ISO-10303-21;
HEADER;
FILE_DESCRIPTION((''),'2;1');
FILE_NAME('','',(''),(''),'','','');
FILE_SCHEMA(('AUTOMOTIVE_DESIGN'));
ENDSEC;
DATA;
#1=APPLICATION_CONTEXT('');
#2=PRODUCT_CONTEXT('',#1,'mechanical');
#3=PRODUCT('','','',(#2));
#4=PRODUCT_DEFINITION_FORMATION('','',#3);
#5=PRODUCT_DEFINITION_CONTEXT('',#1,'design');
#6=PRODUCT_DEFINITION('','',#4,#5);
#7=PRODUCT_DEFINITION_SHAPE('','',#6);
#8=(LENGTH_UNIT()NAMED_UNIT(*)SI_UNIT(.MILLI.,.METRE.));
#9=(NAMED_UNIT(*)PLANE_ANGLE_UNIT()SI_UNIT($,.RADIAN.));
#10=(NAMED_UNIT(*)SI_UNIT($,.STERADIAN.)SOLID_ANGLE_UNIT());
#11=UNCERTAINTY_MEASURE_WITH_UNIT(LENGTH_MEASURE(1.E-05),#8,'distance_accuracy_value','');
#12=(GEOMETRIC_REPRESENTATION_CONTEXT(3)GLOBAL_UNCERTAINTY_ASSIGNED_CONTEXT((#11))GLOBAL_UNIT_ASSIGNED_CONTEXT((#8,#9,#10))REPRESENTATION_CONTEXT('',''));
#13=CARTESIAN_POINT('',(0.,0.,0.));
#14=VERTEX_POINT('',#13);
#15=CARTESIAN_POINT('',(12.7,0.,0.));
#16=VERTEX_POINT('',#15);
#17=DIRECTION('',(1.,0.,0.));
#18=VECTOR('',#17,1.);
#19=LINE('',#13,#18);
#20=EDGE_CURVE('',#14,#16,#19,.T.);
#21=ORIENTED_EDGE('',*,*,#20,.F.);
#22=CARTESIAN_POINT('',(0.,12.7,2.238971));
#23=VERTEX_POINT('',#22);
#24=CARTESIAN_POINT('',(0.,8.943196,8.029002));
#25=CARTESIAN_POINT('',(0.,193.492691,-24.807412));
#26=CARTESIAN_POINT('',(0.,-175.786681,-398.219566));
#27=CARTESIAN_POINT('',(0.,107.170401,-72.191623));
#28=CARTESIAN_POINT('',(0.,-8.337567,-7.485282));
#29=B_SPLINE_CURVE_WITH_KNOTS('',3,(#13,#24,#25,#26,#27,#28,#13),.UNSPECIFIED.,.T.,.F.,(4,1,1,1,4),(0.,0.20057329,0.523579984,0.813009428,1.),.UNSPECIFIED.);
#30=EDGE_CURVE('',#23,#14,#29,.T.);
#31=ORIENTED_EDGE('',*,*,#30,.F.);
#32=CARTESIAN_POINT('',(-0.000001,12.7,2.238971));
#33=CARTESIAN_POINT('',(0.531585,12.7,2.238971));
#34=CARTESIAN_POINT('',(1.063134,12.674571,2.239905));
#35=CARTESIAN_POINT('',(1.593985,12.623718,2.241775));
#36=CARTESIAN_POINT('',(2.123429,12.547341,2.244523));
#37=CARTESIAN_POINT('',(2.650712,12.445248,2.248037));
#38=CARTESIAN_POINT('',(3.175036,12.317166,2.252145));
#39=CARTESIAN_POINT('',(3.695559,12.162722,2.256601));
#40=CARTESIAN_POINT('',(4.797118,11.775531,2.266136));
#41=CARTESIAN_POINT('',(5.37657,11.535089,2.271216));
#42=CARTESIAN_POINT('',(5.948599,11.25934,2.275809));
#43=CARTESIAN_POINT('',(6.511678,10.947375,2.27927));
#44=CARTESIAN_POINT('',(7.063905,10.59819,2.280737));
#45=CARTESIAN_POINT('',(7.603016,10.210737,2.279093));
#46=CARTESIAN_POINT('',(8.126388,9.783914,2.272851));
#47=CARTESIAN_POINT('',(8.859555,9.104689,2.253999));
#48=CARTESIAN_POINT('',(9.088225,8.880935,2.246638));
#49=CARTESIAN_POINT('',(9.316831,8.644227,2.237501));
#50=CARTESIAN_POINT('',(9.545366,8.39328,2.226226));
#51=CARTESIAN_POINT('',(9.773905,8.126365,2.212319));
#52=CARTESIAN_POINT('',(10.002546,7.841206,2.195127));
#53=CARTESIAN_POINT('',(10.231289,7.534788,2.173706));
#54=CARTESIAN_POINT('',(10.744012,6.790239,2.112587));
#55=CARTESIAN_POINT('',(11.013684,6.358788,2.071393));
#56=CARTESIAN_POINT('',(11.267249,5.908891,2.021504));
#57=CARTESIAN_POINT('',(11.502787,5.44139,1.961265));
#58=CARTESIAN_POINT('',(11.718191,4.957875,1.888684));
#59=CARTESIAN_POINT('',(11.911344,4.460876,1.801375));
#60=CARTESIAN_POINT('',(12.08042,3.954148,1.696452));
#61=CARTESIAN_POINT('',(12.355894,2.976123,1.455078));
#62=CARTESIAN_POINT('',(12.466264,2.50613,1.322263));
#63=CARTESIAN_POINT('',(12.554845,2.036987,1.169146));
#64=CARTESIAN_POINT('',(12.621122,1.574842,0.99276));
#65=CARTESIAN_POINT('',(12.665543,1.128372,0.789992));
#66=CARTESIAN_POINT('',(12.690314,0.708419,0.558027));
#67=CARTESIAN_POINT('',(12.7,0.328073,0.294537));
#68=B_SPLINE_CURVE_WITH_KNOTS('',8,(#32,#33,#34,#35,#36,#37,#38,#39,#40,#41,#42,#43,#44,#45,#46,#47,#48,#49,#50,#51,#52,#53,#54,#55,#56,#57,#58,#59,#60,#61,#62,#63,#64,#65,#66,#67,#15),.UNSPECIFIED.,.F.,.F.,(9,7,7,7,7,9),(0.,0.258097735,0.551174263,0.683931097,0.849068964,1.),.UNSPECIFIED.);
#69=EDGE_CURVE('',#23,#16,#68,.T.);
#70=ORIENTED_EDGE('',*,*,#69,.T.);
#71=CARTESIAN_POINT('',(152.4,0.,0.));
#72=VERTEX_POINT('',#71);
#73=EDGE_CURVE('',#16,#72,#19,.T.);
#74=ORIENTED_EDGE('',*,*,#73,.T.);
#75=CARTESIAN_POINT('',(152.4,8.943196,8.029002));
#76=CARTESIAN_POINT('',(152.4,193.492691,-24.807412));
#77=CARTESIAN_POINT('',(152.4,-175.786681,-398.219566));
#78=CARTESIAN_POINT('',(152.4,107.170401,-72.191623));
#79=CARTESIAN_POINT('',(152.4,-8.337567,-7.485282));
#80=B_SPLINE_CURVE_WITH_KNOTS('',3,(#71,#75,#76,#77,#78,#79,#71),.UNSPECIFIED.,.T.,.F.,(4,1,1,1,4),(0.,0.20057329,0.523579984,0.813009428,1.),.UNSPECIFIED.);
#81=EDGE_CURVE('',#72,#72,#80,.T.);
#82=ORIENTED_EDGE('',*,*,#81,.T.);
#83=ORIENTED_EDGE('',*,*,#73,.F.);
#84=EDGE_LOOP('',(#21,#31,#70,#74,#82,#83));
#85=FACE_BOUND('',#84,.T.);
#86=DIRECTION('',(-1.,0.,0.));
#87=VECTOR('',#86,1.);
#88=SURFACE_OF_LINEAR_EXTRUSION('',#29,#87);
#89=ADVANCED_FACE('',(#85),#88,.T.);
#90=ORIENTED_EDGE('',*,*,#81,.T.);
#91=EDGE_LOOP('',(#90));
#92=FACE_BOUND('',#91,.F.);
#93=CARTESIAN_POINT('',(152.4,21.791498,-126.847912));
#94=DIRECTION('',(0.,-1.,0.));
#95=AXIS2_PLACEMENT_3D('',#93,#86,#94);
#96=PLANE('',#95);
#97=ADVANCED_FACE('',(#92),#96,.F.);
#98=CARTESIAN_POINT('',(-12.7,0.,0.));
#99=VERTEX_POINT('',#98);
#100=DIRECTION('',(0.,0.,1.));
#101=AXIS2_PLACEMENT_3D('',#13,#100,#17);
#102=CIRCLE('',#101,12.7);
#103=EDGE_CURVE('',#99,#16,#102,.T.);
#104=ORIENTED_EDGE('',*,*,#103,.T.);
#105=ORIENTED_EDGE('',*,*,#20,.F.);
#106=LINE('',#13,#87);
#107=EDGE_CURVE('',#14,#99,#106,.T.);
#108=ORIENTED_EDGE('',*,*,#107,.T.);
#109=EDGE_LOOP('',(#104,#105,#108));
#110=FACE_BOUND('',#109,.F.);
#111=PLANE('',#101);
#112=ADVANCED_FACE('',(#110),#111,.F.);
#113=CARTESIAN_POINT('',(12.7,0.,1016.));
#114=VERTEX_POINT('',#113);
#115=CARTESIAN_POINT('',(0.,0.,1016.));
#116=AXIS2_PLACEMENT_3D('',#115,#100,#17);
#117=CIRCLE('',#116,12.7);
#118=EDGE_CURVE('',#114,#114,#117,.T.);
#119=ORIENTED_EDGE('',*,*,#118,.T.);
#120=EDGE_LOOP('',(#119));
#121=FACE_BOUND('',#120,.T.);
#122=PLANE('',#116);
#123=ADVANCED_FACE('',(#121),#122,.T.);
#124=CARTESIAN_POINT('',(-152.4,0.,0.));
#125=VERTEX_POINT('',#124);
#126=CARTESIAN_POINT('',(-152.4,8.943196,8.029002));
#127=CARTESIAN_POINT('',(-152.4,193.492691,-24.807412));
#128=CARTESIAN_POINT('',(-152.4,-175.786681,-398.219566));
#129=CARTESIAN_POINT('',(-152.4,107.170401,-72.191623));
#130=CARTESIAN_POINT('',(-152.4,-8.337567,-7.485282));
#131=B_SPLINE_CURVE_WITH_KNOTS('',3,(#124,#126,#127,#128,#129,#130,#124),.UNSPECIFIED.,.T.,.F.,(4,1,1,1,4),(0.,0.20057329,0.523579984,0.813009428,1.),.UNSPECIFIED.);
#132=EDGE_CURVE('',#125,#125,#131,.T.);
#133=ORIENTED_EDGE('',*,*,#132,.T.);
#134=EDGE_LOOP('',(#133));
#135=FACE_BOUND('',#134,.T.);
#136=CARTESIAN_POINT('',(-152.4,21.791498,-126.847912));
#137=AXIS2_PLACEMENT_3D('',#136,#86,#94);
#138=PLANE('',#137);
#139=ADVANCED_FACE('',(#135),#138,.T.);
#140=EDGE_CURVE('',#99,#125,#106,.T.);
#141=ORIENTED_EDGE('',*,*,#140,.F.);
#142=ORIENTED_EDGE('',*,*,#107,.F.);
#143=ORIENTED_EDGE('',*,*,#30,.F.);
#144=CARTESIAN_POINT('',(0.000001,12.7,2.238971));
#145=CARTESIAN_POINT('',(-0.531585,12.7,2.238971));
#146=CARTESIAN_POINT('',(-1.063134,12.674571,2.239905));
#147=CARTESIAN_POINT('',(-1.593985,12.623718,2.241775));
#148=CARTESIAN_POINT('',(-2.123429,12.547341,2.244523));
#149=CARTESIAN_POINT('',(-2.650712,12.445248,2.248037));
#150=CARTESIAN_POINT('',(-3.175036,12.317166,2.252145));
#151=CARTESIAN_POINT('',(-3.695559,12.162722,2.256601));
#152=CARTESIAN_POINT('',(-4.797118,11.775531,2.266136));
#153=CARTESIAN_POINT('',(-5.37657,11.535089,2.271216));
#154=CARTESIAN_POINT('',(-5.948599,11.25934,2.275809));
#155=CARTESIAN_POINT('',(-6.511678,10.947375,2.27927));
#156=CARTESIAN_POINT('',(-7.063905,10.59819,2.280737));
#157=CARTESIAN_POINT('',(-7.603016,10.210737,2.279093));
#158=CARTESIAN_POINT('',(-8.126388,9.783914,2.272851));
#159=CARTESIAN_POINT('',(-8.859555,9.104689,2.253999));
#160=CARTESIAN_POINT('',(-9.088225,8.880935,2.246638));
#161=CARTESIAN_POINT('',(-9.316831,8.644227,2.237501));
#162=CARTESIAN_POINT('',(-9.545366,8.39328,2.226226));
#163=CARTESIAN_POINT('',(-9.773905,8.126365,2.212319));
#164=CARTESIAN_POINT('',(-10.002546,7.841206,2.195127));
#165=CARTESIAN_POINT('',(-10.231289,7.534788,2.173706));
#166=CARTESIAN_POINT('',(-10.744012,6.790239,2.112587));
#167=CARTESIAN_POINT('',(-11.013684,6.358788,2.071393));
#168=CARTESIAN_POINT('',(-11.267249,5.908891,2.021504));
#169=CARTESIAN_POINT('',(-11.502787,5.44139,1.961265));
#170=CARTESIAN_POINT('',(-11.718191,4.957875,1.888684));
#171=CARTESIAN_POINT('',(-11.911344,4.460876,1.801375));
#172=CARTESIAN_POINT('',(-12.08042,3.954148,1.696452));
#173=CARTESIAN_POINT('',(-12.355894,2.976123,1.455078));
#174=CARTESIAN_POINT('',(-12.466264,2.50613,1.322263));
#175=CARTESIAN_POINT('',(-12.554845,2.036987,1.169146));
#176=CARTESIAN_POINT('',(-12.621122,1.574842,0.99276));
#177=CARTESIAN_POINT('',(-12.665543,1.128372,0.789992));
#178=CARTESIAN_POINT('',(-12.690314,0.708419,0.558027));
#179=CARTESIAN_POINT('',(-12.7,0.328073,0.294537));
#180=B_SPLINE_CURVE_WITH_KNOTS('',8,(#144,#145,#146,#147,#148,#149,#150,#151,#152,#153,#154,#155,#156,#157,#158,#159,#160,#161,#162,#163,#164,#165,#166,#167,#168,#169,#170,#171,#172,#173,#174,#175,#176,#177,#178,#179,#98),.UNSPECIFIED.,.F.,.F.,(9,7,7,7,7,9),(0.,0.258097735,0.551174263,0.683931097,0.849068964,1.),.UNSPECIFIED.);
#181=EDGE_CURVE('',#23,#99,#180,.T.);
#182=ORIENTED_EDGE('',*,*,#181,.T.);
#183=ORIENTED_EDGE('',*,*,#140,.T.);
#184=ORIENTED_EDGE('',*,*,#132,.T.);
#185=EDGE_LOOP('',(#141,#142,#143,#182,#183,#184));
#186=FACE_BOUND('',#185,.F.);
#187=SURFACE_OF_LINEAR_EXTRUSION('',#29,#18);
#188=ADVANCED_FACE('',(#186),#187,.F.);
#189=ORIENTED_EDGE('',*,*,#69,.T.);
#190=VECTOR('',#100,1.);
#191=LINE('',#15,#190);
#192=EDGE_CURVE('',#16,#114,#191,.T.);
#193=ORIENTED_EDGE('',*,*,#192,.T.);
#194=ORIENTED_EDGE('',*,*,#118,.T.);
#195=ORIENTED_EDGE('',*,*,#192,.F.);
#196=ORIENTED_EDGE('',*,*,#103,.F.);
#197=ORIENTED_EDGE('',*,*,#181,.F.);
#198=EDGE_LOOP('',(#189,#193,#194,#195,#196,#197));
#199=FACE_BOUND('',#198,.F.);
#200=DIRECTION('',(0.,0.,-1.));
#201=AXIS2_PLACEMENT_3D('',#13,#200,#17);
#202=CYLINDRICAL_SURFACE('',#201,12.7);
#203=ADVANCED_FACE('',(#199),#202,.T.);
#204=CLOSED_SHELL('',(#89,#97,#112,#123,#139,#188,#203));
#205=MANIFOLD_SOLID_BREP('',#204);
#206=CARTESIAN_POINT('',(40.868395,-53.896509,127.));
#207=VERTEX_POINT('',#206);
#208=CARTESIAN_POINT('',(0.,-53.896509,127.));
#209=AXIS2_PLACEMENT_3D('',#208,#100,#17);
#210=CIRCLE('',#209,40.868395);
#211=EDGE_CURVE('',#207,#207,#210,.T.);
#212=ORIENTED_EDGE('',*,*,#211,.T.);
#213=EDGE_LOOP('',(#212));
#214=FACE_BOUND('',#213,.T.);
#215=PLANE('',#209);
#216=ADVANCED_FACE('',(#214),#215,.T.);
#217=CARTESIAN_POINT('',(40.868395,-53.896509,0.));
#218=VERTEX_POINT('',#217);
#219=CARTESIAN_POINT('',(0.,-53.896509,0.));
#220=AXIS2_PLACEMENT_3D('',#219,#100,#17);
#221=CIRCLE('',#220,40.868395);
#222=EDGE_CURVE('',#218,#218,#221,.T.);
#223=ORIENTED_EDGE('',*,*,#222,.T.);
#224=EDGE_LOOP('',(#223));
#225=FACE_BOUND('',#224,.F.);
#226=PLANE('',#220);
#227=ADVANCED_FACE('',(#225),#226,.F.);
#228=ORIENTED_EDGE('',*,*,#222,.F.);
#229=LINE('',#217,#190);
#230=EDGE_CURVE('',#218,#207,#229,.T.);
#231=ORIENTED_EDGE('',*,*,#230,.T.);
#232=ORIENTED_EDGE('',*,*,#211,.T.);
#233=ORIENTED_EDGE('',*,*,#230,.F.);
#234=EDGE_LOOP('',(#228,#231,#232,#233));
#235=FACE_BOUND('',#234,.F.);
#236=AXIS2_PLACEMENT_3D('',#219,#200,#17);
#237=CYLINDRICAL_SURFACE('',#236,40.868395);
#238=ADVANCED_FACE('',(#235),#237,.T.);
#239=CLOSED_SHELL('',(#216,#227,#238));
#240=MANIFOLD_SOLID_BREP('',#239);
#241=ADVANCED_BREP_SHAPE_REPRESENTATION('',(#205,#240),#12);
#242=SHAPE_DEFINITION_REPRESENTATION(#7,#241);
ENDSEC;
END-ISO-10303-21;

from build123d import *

# Parameters (mm, degrees)
F0_R          = 12.7
F1_DEPTH      = 1016
F3_DEPTH      = 152.4
F3_DEPTH_BACK = 152.4
F4_R          = 40.868395005
F5_DEPTH      = 127


with BuildPart() as f1:
    # F0 (on Top) → F1 (new body)
    with BuildSketch(Plane.XY):
        Circle(F0_R)
    extrude(amount=F1_DEPTH)

    # F2 (on Right) → F3 (join, two sides)
    with BuildSketch(Plane.YZ) as f3_sk:
        with BuildLine():
            add(Edge.make_bspline(
                [(0, 0), (8.9431959115, 8.0290021363), (193.4926907955, -24.8074115359), (-175.7866814159, -398.219565551), (107.1704014267, -72.1916225162), (-8.337567378, -7.4852823255), (0, 0)],
                knots=[0, 0, 0, 0, 0.2005732897, 0.5235799839, 0.8130094282, 1, 1, 1, 1], degree=3))
        make_face()
    extrude(amount=F3_DEPTH)
    extrude(f3_sk.sketch, amount=-F3_DEPTH_BACK)


with BuildPart() as f5:
    # F4 (on Top) → F5 (new body)
    with BuildSketch(Plane.XY):
        with Locations((0, -53.8965091109)):
            Circle(F4_R)
    extrude(amount=F5_DEPTH)


solid = Compound([f1.part, f5.part])
